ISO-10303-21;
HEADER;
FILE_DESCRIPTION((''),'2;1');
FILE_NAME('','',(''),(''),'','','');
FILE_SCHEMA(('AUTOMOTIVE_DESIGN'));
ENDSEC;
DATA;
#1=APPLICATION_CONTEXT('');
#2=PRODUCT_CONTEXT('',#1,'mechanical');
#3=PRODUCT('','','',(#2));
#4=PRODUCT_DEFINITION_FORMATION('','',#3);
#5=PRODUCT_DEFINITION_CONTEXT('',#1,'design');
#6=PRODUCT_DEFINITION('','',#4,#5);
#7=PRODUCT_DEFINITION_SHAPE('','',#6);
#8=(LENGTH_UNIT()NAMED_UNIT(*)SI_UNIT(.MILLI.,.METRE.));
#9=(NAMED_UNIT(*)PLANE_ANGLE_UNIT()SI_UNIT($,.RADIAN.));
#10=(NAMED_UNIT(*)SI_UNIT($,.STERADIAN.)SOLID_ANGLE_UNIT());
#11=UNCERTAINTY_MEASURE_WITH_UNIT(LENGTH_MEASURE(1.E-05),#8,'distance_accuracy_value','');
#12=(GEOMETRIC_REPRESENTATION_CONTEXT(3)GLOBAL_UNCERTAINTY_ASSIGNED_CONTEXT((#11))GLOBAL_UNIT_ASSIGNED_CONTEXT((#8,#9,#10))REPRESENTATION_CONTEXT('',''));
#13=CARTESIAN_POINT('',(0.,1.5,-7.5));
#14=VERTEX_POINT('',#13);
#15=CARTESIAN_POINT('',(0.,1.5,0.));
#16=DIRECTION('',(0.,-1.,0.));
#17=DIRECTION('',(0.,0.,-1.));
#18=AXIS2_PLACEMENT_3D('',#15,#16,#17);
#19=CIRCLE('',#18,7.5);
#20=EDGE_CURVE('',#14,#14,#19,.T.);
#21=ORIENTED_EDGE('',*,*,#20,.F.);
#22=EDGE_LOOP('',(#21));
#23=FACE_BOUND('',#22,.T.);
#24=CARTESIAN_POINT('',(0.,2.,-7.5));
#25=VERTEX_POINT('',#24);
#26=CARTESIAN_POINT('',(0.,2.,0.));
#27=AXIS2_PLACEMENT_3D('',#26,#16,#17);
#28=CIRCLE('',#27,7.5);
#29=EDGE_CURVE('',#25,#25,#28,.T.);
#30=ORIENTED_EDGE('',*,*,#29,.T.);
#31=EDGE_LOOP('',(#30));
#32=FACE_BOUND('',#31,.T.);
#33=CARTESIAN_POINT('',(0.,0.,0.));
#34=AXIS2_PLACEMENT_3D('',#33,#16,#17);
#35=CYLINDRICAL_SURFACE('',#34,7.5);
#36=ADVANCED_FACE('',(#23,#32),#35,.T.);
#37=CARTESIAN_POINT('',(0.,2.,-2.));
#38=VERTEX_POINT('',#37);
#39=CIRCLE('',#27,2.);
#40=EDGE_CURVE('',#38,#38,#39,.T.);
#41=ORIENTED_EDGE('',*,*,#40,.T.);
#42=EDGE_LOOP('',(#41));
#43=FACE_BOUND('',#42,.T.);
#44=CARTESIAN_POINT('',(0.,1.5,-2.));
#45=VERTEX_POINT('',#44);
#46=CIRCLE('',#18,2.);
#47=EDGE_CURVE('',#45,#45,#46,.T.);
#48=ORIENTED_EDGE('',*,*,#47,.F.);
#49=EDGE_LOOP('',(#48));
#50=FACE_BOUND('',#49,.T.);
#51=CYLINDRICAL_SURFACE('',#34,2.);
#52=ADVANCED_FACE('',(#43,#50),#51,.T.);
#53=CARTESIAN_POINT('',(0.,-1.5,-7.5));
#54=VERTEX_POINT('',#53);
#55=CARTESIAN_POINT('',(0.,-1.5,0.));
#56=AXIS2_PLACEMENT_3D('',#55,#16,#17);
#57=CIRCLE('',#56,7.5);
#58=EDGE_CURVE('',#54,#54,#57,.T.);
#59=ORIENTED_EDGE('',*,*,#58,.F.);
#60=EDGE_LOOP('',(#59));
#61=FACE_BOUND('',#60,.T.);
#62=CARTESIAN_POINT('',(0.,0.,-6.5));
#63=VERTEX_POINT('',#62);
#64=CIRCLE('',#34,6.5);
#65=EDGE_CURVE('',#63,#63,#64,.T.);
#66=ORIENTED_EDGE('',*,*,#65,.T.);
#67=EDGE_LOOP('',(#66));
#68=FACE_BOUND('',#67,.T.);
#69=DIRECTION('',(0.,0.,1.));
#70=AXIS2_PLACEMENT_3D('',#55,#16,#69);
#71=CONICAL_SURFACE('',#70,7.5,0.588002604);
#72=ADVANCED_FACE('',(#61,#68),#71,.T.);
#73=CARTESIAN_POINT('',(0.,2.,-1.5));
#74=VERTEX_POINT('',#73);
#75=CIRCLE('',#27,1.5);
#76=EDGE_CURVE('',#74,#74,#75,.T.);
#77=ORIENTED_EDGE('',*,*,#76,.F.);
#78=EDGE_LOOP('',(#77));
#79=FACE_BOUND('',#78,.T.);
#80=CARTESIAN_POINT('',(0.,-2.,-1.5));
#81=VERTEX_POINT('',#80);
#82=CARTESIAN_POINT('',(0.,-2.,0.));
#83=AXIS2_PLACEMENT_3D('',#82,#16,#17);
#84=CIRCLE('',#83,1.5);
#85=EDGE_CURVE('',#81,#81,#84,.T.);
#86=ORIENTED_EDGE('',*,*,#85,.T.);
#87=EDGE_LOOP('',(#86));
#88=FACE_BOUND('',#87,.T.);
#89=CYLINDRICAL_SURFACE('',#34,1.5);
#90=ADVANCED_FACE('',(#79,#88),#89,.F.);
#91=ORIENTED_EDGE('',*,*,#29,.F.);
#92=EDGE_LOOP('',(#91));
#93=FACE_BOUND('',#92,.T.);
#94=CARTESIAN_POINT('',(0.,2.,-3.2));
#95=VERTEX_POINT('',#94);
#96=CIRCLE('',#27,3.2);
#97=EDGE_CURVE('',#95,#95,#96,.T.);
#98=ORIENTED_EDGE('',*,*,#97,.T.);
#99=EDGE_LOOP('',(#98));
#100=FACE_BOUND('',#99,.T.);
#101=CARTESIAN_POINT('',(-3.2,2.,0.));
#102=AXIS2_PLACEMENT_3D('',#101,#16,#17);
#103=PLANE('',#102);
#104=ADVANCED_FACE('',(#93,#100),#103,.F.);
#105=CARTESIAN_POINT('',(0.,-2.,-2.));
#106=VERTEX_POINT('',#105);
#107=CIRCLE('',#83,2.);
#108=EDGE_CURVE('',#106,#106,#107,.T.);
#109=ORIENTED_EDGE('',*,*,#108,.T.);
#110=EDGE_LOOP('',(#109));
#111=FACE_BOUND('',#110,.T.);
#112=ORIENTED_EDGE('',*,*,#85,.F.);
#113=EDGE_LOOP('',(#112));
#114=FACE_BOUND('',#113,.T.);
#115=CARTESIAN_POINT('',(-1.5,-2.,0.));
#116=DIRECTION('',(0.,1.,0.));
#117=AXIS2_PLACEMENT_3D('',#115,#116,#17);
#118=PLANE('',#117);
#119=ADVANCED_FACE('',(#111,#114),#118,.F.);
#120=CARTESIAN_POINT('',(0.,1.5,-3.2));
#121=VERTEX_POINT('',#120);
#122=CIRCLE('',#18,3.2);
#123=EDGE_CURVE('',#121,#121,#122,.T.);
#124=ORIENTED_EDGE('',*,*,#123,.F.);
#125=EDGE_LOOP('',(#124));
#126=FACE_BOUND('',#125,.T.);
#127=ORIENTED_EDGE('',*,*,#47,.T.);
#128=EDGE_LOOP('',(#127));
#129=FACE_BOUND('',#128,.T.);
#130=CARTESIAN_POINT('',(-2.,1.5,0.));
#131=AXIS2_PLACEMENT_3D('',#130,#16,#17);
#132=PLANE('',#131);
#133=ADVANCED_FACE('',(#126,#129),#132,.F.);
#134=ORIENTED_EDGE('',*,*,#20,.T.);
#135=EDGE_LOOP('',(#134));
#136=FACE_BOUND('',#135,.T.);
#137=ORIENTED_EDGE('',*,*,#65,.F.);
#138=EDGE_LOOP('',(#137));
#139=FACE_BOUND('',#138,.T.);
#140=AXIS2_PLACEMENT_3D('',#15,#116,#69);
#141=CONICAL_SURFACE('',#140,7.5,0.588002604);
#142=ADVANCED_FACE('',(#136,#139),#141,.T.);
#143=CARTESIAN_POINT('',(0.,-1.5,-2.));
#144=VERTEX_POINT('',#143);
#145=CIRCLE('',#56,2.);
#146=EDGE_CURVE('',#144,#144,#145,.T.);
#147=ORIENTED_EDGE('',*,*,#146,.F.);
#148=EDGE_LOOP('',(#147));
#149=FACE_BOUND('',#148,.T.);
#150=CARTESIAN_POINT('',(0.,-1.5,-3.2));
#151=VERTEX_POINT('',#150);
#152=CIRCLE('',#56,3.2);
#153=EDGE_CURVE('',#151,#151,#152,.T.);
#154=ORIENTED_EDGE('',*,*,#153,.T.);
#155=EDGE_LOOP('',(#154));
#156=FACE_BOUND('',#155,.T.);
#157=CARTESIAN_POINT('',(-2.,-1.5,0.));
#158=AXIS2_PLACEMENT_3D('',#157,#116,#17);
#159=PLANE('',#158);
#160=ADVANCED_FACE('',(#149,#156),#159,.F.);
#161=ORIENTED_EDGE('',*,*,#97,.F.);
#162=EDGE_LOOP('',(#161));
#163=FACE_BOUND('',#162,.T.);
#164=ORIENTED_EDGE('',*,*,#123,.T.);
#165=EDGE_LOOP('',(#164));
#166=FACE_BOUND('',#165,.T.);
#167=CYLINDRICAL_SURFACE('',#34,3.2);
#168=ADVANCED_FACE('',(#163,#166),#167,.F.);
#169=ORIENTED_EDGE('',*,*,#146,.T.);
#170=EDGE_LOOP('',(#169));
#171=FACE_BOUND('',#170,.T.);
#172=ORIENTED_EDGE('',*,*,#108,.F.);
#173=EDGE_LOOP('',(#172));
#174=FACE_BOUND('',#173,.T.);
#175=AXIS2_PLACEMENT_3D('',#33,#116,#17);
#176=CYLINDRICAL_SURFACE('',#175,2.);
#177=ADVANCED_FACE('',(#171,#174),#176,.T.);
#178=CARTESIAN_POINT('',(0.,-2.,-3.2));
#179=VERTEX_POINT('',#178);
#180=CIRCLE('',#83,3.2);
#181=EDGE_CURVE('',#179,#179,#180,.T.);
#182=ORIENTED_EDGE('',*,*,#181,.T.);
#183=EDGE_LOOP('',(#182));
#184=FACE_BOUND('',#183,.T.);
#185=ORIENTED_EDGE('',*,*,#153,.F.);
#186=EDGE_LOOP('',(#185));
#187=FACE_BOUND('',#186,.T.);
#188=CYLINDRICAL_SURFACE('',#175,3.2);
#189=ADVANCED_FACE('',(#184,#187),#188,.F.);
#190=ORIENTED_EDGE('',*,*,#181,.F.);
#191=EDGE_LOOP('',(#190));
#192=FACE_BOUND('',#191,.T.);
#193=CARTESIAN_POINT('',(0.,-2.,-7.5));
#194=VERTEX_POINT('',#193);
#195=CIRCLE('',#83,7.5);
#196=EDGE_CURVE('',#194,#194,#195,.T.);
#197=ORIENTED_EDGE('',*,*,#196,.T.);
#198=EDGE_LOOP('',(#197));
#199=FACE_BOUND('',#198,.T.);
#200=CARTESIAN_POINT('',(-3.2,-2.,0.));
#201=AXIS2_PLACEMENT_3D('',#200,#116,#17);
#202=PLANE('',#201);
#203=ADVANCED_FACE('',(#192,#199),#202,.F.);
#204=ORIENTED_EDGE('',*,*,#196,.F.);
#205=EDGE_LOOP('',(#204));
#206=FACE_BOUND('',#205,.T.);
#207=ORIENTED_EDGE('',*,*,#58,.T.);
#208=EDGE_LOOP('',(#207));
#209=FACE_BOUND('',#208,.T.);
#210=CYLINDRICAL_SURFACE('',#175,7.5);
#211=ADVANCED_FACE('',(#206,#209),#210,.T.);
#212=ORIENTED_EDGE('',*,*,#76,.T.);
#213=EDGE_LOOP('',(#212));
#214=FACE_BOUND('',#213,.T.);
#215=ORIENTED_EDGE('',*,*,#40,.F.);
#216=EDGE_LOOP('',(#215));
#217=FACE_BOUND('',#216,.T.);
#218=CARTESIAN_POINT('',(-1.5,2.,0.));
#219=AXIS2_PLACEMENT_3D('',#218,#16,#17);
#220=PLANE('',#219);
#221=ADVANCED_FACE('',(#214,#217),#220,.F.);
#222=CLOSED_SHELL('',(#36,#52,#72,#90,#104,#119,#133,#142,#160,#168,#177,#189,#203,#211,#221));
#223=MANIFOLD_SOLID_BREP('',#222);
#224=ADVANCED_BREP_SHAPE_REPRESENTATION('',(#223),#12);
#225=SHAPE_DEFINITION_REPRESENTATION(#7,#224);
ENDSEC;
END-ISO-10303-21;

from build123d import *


with BuildPart() as part:
    # Sketch1 → Revolve1 (revolve)
    with BuildSketch(Plane.XY, mode=Mode.PRIVATE) as revolve1_sk:
        Polygon((-1.5, 0), (-1.5, 2), (-2, 2), (-2, 1.5), (-3.2, 1.5), (-3.2, 2), (-7.5, 2), (-7.5, 1.5), (-6.5, 0), align=None)
    revolve1 = revolve(revolve1_sk.sketch.rotate(Axis((0, 0, 0), (0, 1, 0)), 270), axis=Axis((0, 0, 0), (0, 1, 0)))

    # Mirror1: Revolve1 across plane
    add(revolve1.mirror(Plane(origin=(-6.5, 0, 0), x_dir=(0, 0, 1), z_dir=(0, 1, 0))))


solid = part.part
